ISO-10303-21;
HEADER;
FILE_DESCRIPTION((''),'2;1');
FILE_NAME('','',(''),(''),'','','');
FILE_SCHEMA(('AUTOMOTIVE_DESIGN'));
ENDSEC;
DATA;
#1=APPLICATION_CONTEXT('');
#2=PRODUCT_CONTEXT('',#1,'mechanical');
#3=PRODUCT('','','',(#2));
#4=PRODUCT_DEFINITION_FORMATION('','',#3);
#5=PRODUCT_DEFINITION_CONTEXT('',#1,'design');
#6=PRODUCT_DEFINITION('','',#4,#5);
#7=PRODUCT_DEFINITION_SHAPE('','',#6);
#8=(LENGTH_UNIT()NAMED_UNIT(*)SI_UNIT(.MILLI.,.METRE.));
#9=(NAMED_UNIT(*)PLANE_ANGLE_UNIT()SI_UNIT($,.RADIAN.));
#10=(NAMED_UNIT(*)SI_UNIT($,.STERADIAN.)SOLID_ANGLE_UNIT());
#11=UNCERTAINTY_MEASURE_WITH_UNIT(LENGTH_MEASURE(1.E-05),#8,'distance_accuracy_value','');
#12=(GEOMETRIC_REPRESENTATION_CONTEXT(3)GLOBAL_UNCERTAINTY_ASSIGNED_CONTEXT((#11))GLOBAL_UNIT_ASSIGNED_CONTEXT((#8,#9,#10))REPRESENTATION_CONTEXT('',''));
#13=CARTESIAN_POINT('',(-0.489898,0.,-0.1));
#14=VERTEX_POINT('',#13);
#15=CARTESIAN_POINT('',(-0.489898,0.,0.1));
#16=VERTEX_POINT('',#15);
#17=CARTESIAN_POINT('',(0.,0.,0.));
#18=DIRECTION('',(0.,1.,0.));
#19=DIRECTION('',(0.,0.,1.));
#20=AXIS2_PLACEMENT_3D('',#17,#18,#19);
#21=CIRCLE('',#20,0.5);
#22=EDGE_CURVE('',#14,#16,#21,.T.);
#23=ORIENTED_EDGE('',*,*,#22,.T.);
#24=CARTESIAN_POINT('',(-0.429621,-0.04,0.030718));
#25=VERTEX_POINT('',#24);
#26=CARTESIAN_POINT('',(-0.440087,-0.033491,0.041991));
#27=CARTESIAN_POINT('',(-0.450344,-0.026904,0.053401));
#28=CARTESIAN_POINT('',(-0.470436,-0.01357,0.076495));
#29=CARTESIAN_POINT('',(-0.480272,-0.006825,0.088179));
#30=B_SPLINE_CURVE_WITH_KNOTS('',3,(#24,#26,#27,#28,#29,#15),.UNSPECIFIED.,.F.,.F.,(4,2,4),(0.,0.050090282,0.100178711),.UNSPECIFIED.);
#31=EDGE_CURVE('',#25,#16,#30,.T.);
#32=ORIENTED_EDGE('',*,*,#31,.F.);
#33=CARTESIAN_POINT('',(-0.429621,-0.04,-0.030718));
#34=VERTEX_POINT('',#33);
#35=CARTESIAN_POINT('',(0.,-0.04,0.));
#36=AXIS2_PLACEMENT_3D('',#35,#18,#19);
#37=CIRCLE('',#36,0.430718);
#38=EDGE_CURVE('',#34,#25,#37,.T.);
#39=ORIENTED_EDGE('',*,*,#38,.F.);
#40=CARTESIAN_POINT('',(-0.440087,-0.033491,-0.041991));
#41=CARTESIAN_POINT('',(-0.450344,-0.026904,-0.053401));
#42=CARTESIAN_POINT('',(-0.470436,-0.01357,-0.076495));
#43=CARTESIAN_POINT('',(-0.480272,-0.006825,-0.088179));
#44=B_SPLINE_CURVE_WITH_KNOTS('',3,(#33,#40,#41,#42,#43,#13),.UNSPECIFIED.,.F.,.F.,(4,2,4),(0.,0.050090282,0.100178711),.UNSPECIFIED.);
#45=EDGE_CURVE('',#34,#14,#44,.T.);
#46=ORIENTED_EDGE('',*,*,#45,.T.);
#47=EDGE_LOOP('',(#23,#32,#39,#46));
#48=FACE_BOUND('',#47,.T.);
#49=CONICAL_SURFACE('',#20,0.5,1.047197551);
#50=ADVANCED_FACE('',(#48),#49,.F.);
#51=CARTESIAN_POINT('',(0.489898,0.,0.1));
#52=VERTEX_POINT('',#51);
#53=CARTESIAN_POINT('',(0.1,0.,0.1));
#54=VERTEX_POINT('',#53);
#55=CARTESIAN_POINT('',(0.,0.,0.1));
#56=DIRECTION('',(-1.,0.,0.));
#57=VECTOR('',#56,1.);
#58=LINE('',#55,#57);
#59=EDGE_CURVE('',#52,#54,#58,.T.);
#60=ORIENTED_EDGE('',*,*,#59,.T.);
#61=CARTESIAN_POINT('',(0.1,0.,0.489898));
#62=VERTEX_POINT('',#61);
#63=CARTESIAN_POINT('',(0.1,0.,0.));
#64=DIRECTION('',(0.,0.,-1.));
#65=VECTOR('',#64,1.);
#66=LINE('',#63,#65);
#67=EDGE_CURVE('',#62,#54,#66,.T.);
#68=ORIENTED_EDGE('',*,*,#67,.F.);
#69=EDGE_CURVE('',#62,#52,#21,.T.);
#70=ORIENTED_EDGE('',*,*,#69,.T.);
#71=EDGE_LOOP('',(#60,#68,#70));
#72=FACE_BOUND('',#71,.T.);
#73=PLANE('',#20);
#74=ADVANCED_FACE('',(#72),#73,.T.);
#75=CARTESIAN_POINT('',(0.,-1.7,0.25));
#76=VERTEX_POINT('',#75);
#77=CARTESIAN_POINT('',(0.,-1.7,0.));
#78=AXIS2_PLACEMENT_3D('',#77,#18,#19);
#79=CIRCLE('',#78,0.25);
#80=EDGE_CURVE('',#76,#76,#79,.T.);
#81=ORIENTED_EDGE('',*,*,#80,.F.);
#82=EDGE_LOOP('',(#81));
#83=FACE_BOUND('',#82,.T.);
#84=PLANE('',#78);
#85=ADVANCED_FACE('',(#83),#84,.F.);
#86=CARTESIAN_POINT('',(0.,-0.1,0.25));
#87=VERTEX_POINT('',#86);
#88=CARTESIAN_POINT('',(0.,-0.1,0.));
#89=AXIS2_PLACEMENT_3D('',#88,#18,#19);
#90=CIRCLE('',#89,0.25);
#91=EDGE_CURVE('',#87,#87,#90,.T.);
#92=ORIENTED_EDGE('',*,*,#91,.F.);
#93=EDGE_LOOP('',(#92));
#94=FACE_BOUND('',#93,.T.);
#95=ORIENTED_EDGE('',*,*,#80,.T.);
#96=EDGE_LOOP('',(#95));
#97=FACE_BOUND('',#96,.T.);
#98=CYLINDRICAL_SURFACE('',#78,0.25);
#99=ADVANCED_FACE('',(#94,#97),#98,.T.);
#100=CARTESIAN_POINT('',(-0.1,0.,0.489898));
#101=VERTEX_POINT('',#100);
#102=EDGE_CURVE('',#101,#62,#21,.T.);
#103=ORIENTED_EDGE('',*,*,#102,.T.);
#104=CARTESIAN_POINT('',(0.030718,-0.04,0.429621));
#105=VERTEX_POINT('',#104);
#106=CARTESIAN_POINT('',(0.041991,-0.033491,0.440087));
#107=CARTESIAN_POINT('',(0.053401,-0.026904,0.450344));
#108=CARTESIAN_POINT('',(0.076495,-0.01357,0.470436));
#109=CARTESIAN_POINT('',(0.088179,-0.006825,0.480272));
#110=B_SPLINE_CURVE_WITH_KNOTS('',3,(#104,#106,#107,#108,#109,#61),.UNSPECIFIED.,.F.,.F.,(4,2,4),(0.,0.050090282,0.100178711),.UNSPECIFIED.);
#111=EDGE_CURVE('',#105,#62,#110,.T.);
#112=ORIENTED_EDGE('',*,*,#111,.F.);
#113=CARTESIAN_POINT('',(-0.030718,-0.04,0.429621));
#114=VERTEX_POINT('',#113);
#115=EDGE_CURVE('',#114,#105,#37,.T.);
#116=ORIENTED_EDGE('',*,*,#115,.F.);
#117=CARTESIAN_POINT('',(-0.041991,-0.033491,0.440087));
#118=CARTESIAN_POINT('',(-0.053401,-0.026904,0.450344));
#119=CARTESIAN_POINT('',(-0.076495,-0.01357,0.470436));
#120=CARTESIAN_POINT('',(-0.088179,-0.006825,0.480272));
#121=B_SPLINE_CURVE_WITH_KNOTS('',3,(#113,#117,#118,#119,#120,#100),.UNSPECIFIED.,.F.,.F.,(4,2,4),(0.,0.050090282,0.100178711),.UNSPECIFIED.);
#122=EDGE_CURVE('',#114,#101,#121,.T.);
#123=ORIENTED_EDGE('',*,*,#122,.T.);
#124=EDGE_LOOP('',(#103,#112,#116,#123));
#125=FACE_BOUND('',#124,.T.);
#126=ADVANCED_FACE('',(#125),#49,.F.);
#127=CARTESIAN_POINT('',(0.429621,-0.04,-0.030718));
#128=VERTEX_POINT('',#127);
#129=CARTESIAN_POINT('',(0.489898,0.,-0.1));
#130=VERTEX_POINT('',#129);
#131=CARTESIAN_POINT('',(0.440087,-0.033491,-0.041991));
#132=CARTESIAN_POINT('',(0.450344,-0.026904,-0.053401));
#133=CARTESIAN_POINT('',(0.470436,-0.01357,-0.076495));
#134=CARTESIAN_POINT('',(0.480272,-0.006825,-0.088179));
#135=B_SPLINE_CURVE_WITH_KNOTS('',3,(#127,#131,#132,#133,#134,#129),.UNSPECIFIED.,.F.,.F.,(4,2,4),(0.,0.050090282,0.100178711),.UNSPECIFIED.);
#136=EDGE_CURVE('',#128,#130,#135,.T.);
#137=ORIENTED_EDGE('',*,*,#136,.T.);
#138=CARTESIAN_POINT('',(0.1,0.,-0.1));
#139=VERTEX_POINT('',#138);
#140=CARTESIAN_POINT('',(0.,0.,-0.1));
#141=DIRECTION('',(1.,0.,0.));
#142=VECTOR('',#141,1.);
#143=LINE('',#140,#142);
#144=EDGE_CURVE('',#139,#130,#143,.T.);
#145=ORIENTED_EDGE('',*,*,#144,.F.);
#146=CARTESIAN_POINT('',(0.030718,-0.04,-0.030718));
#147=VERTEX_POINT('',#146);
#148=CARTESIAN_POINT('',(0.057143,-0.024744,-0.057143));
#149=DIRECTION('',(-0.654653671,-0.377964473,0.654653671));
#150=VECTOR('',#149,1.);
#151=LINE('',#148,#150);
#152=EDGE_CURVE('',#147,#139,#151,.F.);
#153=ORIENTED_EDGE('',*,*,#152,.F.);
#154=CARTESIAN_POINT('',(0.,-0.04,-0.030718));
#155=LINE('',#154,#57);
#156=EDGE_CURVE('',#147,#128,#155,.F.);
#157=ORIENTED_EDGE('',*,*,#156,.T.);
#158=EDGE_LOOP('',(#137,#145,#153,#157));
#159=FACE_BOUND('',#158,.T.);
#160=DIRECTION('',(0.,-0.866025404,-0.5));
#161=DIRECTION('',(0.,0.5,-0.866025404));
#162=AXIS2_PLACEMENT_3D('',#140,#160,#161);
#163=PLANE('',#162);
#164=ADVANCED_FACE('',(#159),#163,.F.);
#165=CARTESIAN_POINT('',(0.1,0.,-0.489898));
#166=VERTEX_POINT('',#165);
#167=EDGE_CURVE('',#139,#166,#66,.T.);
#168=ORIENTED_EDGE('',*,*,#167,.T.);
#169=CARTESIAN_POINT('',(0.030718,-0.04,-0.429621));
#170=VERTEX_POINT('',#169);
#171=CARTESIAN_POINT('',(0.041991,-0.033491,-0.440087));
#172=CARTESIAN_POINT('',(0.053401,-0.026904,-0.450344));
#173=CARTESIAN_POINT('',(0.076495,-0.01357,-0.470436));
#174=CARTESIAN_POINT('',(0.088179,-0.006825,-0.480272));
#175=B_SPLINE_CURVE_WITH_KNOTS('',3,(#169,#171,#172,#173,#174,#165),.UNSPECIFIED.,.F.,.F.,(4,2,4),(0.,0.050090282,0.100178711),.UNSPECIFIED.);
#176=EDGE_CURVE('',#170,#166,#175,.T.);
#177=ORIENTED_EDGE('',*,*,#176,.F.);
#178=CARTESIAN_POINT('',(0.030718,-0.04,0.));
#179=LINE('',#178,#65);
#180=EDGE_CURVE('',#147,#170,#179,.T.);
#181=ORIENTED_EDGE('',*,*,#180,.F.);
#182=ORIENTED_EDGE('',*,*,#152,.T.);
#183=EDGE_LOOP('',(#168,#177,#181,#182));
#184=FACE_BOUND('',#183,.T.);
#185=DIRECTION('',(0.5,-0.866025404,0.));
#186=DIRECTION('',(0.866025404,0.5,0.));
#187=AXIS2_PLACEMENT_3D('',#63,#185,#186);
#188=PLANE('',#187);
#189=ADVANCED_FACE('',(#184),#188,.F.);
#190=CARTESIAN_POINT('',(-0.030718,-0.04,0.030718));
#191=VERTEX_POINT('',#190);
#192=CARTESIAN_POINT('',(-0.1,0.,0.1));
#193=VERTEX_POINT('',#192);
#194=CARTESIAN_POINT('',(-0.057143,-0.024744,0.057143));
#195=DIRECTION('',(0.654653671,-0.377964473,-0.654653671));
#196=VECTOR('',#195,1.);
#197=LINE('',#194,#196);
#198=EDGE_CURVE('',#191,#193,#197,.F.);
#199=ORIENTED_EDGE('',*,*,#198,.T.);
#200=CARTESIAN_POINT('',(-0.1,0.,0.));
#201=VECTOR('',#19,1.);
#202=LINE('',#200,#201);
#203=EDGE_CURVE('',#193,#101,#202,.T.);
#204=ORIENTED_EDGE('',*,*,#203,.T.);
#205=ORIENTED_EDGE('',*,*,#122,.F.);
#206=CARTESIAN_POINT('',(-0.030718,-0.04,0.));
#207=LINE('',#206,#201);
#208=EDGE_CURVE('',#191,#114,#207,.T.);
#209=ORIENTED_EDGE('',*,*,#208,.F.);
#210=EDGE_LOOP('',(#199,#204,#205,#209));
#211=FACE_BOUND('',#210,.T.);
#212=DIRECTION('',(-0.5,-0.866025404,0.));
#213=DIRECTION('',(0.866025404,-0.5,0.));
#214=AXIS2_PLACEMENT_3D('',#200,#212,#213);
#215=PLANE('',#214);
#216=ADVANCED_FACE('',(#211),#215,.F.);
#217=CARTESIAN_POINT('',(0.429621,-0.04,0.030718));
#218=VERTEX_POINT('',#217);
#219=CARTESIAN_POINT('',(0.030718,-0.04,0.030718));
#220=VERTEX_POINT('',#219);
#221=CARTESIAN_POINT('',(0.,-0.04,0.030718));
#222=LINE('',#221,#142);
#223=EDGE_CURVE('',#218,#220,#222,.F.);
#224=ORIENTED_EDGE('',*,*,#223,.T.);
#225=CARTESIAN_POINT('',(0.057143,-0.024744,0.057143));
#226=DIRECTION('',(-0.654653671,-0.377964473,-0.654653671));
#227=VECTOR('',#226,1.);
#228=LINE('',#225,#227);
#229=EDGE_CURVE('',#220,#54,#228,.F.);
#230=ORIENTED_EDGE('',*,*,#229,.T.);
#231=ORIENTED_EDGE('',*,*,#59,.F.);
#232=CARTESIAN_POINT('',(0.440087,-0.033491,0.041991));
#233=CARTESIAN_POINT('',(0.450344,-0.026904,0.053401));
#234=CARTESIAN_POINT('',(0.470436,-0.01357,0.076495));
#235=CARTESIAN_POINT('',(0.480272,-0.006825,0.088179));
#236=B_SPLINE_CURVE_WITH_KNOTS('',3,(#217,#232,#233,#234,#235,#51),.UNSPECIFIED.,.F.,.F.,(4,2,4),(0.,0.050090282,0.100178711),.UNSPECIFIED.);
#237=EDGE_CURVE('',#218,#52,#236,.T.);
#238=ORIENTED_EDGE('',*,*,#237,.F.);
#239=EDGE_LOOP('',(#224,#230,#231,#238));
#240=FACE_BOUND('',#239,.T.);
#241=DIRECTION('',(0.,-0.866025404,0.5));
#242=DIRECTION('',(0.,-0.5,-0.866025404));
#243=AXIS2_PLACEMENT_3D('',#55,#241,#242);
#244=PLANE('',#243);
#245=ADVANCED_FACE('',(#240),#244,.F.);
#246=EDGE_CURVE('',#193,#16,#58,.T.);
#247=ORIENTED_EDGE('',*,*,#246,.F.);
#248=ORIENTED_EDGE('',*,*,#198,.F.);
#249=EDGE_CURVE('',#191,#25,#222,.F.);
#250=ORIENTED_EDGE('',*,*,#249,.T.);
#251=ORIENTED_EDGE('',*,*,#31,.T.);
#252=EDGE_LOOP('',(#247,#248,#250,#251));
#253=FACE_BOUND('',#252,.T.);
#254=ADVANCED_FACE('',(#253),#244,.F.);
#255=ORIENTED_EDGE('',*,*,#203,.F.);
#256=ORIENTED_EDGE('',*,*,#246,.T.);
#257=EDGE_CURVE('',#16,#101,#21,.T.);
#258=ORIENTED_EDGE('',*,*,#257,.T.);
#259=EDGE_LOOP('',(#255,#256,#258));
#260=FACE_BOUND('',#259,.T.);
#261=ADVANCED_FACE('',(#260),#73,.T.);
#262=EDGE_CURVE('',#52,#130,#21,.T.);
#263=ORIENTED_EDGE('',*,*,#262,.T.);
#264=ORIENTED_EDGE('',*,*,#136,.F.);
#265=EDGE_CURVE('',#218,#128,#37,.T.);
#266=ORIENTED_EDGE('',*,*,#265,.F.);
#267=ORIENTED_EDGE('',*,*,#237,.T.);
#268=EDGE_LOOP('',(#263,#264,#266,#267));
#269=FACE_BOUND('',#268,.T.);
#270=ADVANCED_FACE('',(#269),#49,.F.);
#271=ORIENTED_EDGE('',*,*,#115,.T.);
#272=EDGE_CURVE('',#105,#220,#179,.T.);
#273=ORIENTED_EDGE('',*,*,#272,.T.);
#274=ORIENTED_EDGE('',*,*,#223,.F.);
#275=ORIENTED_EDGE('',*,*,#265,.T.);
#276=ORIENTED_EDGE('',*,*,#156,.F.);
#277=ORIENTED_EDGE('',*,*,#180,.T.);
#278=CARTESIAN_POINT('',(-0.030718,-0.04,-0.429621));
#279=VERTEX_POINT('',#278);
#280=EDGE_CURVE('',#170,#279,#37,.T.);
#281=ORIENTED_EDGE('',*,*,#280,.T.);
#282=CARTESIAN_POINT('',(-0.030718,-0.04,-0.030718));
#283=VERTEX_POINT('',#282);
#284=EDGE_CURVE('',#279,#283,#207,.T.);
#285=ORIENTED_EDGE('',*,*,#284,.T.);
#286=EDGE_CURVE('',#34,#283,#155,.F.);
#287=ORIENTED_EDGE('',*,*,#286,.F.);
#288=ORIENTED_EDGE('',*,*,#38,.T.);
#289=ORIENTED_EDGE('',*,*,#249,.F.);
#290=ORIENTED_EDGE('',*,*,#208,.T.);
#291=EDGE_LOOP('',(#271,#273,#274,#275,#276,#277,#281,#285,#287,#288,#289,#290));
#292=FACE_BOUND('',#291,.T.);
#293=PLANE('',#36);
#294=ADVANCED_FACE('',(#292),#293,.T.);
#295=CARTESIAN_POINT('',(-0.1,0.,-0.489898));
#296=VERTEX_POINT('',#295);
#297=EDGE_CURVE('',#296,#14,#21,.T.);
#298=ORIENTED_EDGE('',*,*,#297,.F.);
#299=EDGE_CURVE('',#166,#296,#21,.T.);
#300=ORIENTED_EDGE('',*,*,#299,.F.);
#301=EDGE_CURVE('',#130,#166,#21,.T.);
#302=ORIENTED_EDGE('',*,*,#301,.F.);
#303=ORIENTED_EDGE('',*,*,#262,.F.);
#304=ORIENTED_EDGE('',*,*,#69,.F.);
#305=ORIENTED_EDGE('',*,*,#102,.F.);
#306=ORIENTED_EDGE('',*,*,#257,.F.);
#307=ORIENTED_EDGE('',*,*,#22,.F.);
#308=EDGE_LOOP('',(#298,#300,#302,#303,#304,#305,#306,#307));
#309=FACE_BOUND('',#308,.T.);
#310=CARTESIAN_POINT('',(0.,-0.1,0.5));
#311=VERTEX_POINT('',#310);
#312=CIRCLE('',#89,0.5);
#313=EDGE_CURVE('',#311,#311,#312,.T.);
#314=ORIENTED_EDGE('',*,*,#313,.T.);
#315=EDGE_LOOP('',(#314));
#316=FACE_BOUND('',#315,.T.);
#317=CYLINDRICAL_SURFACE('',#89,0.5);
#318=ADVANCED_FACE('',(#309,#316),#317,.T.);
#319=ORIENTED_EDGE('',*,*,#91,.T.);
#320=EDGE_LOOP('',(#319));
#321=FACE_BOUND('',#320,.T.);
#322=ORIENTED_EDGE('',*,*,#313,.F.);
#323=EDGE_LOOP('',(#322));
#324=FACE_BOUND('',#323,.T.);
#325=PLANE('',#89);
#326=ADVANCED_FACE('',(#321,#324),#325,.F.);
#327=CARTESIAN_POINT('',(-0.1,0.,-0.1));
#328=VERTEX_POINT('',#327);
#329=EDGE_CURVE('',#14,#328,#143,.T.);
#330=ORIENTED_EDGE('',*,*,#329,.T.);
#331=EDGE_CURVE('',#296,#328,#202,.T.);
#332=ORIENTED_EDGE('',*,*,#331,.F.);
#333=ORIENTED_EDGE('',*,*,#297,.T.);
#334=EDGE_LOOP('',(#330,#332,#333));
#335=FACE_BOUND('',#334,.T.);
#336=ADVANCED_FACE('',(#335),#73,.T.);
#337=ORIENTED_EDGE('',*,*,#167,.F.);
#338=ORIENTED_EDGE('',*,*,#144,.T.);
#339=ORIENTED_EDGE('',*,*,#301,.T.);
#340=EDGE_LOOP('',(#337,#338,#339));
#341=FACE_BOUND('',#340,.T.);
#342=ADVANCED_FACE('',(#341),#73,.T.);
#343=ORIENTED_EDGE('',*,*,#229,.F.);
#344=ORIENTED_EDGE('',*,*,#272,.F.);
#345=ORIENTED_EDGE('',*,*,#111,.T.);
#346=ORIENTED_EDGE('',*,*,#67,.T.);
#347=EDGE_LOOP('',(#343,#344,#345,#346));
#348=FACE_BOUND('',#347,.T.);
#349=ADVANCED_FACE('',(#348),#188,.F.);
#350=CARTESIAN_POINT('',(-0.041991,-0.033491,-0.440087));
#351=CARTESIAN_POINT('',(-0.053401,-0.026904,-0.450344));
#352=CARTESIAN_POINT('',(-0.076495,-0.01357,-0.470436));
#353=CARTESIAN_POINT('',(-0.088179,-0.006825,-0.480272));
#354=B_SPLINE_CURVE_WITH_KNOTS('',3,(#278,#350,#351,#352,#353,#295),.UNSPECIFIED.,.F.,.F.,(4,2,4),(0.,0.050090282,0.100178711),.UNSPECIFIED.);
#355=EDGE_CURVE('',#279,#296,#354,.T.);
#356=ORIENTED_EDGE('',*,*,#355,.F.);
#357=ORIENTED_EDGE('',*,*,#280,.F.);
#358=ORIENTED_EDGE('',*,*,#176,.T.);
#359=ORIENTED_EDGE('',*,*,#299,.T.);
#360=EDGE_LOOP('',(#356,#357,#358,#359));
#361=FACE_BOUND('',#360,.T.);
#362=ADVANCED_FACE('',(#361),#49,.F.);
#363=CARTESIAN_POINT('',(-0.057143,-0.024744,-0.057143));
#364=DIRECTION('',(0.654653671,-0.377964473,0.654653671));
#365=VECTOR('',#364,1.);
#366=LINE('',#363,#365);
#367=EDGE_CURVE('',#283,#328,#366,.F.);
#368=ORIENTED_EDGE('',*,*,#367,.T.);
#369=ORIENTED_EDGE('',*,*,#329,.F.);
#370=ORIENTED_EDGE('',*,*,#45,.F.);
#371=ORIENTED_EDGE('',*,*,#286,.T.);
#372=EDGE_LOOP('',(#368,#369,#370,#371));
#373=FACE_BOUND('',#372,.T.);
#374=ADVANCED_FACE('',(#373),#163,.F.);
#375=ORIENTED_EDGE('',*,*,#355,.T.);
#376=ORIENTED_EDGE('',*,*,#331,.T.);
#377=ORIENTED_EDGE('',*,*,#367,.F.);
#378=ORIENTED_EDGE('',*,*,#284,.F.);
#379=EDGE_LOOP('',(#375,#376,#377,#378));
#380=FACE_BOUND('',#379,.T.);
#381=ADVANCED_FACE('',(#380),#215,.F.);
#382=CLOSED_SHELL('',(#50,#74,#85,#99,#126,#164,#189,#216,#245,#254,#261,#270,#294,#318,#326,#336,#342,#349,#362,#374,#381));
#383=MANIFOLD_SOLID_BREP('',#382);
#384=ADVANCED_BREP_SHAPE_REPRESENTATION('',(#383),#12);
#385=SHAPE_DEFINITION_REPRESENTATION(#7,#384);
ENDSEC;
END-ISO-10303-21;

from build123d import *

# Parameters (mm, degrees)
SKETCH1_R           = 0.5
BOSS_EXTRUDE1_DEPTH = 0.1
BOSS_EXTRUDE2_START = -0.1
SKETCH1_3_R         = 0.25
BOSS_EXTRUDE2_DEPTH = 1.6
CUT_EXTRUDE1_DEPTH  = 0.04
CUT_EXTRUDE1_TAPER  = 60


with BuildPart() as part:
    # Sketch1 → Boss-Extrude1 (new body)
    with BuildSketch(Plane(origin=(0, 0, 0), x_dir=(1, 0, 0), z_dir=(0, 1, 0))):
        with Locations(Location((0, 0, 0), (0, 0, 270))):
            Circle(SKETCH1_R)
    extrude(amount=-BOSS_EXTRUDE1_DEPTH)

    # Sketch1<3> → Boss-Extrude2 (add)
    with BuildSketch(Plane(origin=(0, 0, 0), x_dir=(1, 0, 0), z_dir=(0, 1, 0)).offset(BOSS_EXTRUDE2_START)):
        with Locations(Location((0, 0, 0), (0, 0, 270))):
            Circle(SKETCH1_3_R)
    extrude(amount=-BOSS_EXTRUDE2_DEPTH)

    # Sketch2 → Cut-Extrude1 (cut)
    with BuildSketch(Plane(origin=(0, 0, 0), x_dir=(1, 0, 0), z_dir=(0, 1, 0))):
        with BuildLine():
            ThreePointArc((0.1, 0.489897949), (0, 0.5), (-0.1, 0.489897949))
            Line((-0.1, 0.489897949), (-0.1, 0.1))
            Line((-0.1, 0.1), (-0.489897949, 0.1))
            ThreePointArc((-0.489897949, 0.1), (-0.5, 0), (-0.489897949, -0.1))
            Line((-0.489897949, -0.1), (-0.1, -0.1))
            Line((-0.1, -0.1), (-0.1, -0.489897949))
            ThreePointArc((-0.1, -0.489897949), (0, -0.5), (0.1, -0.489897949))
            Line((0.1, -0.489897949), (0.1, -0.1))
            Line((0.1, -0.1), (0.489897949, -0.1))
            ThreePointArc((0.489897949, -0.1), (0.5, 0), (0.489897949, 0.1))
            Line((0.489897949, 0.1), (0.1, 0.1))
            Line((0.1, 0.1), (0.1, 0.489897949))
        make_face()
    extrude(amount=-CUT_EXTRUDE1_DEPTH, taper=CUT_EXTRUDE1_TAPER, mode=Mode.SUBTRACT)


solid = part.part
